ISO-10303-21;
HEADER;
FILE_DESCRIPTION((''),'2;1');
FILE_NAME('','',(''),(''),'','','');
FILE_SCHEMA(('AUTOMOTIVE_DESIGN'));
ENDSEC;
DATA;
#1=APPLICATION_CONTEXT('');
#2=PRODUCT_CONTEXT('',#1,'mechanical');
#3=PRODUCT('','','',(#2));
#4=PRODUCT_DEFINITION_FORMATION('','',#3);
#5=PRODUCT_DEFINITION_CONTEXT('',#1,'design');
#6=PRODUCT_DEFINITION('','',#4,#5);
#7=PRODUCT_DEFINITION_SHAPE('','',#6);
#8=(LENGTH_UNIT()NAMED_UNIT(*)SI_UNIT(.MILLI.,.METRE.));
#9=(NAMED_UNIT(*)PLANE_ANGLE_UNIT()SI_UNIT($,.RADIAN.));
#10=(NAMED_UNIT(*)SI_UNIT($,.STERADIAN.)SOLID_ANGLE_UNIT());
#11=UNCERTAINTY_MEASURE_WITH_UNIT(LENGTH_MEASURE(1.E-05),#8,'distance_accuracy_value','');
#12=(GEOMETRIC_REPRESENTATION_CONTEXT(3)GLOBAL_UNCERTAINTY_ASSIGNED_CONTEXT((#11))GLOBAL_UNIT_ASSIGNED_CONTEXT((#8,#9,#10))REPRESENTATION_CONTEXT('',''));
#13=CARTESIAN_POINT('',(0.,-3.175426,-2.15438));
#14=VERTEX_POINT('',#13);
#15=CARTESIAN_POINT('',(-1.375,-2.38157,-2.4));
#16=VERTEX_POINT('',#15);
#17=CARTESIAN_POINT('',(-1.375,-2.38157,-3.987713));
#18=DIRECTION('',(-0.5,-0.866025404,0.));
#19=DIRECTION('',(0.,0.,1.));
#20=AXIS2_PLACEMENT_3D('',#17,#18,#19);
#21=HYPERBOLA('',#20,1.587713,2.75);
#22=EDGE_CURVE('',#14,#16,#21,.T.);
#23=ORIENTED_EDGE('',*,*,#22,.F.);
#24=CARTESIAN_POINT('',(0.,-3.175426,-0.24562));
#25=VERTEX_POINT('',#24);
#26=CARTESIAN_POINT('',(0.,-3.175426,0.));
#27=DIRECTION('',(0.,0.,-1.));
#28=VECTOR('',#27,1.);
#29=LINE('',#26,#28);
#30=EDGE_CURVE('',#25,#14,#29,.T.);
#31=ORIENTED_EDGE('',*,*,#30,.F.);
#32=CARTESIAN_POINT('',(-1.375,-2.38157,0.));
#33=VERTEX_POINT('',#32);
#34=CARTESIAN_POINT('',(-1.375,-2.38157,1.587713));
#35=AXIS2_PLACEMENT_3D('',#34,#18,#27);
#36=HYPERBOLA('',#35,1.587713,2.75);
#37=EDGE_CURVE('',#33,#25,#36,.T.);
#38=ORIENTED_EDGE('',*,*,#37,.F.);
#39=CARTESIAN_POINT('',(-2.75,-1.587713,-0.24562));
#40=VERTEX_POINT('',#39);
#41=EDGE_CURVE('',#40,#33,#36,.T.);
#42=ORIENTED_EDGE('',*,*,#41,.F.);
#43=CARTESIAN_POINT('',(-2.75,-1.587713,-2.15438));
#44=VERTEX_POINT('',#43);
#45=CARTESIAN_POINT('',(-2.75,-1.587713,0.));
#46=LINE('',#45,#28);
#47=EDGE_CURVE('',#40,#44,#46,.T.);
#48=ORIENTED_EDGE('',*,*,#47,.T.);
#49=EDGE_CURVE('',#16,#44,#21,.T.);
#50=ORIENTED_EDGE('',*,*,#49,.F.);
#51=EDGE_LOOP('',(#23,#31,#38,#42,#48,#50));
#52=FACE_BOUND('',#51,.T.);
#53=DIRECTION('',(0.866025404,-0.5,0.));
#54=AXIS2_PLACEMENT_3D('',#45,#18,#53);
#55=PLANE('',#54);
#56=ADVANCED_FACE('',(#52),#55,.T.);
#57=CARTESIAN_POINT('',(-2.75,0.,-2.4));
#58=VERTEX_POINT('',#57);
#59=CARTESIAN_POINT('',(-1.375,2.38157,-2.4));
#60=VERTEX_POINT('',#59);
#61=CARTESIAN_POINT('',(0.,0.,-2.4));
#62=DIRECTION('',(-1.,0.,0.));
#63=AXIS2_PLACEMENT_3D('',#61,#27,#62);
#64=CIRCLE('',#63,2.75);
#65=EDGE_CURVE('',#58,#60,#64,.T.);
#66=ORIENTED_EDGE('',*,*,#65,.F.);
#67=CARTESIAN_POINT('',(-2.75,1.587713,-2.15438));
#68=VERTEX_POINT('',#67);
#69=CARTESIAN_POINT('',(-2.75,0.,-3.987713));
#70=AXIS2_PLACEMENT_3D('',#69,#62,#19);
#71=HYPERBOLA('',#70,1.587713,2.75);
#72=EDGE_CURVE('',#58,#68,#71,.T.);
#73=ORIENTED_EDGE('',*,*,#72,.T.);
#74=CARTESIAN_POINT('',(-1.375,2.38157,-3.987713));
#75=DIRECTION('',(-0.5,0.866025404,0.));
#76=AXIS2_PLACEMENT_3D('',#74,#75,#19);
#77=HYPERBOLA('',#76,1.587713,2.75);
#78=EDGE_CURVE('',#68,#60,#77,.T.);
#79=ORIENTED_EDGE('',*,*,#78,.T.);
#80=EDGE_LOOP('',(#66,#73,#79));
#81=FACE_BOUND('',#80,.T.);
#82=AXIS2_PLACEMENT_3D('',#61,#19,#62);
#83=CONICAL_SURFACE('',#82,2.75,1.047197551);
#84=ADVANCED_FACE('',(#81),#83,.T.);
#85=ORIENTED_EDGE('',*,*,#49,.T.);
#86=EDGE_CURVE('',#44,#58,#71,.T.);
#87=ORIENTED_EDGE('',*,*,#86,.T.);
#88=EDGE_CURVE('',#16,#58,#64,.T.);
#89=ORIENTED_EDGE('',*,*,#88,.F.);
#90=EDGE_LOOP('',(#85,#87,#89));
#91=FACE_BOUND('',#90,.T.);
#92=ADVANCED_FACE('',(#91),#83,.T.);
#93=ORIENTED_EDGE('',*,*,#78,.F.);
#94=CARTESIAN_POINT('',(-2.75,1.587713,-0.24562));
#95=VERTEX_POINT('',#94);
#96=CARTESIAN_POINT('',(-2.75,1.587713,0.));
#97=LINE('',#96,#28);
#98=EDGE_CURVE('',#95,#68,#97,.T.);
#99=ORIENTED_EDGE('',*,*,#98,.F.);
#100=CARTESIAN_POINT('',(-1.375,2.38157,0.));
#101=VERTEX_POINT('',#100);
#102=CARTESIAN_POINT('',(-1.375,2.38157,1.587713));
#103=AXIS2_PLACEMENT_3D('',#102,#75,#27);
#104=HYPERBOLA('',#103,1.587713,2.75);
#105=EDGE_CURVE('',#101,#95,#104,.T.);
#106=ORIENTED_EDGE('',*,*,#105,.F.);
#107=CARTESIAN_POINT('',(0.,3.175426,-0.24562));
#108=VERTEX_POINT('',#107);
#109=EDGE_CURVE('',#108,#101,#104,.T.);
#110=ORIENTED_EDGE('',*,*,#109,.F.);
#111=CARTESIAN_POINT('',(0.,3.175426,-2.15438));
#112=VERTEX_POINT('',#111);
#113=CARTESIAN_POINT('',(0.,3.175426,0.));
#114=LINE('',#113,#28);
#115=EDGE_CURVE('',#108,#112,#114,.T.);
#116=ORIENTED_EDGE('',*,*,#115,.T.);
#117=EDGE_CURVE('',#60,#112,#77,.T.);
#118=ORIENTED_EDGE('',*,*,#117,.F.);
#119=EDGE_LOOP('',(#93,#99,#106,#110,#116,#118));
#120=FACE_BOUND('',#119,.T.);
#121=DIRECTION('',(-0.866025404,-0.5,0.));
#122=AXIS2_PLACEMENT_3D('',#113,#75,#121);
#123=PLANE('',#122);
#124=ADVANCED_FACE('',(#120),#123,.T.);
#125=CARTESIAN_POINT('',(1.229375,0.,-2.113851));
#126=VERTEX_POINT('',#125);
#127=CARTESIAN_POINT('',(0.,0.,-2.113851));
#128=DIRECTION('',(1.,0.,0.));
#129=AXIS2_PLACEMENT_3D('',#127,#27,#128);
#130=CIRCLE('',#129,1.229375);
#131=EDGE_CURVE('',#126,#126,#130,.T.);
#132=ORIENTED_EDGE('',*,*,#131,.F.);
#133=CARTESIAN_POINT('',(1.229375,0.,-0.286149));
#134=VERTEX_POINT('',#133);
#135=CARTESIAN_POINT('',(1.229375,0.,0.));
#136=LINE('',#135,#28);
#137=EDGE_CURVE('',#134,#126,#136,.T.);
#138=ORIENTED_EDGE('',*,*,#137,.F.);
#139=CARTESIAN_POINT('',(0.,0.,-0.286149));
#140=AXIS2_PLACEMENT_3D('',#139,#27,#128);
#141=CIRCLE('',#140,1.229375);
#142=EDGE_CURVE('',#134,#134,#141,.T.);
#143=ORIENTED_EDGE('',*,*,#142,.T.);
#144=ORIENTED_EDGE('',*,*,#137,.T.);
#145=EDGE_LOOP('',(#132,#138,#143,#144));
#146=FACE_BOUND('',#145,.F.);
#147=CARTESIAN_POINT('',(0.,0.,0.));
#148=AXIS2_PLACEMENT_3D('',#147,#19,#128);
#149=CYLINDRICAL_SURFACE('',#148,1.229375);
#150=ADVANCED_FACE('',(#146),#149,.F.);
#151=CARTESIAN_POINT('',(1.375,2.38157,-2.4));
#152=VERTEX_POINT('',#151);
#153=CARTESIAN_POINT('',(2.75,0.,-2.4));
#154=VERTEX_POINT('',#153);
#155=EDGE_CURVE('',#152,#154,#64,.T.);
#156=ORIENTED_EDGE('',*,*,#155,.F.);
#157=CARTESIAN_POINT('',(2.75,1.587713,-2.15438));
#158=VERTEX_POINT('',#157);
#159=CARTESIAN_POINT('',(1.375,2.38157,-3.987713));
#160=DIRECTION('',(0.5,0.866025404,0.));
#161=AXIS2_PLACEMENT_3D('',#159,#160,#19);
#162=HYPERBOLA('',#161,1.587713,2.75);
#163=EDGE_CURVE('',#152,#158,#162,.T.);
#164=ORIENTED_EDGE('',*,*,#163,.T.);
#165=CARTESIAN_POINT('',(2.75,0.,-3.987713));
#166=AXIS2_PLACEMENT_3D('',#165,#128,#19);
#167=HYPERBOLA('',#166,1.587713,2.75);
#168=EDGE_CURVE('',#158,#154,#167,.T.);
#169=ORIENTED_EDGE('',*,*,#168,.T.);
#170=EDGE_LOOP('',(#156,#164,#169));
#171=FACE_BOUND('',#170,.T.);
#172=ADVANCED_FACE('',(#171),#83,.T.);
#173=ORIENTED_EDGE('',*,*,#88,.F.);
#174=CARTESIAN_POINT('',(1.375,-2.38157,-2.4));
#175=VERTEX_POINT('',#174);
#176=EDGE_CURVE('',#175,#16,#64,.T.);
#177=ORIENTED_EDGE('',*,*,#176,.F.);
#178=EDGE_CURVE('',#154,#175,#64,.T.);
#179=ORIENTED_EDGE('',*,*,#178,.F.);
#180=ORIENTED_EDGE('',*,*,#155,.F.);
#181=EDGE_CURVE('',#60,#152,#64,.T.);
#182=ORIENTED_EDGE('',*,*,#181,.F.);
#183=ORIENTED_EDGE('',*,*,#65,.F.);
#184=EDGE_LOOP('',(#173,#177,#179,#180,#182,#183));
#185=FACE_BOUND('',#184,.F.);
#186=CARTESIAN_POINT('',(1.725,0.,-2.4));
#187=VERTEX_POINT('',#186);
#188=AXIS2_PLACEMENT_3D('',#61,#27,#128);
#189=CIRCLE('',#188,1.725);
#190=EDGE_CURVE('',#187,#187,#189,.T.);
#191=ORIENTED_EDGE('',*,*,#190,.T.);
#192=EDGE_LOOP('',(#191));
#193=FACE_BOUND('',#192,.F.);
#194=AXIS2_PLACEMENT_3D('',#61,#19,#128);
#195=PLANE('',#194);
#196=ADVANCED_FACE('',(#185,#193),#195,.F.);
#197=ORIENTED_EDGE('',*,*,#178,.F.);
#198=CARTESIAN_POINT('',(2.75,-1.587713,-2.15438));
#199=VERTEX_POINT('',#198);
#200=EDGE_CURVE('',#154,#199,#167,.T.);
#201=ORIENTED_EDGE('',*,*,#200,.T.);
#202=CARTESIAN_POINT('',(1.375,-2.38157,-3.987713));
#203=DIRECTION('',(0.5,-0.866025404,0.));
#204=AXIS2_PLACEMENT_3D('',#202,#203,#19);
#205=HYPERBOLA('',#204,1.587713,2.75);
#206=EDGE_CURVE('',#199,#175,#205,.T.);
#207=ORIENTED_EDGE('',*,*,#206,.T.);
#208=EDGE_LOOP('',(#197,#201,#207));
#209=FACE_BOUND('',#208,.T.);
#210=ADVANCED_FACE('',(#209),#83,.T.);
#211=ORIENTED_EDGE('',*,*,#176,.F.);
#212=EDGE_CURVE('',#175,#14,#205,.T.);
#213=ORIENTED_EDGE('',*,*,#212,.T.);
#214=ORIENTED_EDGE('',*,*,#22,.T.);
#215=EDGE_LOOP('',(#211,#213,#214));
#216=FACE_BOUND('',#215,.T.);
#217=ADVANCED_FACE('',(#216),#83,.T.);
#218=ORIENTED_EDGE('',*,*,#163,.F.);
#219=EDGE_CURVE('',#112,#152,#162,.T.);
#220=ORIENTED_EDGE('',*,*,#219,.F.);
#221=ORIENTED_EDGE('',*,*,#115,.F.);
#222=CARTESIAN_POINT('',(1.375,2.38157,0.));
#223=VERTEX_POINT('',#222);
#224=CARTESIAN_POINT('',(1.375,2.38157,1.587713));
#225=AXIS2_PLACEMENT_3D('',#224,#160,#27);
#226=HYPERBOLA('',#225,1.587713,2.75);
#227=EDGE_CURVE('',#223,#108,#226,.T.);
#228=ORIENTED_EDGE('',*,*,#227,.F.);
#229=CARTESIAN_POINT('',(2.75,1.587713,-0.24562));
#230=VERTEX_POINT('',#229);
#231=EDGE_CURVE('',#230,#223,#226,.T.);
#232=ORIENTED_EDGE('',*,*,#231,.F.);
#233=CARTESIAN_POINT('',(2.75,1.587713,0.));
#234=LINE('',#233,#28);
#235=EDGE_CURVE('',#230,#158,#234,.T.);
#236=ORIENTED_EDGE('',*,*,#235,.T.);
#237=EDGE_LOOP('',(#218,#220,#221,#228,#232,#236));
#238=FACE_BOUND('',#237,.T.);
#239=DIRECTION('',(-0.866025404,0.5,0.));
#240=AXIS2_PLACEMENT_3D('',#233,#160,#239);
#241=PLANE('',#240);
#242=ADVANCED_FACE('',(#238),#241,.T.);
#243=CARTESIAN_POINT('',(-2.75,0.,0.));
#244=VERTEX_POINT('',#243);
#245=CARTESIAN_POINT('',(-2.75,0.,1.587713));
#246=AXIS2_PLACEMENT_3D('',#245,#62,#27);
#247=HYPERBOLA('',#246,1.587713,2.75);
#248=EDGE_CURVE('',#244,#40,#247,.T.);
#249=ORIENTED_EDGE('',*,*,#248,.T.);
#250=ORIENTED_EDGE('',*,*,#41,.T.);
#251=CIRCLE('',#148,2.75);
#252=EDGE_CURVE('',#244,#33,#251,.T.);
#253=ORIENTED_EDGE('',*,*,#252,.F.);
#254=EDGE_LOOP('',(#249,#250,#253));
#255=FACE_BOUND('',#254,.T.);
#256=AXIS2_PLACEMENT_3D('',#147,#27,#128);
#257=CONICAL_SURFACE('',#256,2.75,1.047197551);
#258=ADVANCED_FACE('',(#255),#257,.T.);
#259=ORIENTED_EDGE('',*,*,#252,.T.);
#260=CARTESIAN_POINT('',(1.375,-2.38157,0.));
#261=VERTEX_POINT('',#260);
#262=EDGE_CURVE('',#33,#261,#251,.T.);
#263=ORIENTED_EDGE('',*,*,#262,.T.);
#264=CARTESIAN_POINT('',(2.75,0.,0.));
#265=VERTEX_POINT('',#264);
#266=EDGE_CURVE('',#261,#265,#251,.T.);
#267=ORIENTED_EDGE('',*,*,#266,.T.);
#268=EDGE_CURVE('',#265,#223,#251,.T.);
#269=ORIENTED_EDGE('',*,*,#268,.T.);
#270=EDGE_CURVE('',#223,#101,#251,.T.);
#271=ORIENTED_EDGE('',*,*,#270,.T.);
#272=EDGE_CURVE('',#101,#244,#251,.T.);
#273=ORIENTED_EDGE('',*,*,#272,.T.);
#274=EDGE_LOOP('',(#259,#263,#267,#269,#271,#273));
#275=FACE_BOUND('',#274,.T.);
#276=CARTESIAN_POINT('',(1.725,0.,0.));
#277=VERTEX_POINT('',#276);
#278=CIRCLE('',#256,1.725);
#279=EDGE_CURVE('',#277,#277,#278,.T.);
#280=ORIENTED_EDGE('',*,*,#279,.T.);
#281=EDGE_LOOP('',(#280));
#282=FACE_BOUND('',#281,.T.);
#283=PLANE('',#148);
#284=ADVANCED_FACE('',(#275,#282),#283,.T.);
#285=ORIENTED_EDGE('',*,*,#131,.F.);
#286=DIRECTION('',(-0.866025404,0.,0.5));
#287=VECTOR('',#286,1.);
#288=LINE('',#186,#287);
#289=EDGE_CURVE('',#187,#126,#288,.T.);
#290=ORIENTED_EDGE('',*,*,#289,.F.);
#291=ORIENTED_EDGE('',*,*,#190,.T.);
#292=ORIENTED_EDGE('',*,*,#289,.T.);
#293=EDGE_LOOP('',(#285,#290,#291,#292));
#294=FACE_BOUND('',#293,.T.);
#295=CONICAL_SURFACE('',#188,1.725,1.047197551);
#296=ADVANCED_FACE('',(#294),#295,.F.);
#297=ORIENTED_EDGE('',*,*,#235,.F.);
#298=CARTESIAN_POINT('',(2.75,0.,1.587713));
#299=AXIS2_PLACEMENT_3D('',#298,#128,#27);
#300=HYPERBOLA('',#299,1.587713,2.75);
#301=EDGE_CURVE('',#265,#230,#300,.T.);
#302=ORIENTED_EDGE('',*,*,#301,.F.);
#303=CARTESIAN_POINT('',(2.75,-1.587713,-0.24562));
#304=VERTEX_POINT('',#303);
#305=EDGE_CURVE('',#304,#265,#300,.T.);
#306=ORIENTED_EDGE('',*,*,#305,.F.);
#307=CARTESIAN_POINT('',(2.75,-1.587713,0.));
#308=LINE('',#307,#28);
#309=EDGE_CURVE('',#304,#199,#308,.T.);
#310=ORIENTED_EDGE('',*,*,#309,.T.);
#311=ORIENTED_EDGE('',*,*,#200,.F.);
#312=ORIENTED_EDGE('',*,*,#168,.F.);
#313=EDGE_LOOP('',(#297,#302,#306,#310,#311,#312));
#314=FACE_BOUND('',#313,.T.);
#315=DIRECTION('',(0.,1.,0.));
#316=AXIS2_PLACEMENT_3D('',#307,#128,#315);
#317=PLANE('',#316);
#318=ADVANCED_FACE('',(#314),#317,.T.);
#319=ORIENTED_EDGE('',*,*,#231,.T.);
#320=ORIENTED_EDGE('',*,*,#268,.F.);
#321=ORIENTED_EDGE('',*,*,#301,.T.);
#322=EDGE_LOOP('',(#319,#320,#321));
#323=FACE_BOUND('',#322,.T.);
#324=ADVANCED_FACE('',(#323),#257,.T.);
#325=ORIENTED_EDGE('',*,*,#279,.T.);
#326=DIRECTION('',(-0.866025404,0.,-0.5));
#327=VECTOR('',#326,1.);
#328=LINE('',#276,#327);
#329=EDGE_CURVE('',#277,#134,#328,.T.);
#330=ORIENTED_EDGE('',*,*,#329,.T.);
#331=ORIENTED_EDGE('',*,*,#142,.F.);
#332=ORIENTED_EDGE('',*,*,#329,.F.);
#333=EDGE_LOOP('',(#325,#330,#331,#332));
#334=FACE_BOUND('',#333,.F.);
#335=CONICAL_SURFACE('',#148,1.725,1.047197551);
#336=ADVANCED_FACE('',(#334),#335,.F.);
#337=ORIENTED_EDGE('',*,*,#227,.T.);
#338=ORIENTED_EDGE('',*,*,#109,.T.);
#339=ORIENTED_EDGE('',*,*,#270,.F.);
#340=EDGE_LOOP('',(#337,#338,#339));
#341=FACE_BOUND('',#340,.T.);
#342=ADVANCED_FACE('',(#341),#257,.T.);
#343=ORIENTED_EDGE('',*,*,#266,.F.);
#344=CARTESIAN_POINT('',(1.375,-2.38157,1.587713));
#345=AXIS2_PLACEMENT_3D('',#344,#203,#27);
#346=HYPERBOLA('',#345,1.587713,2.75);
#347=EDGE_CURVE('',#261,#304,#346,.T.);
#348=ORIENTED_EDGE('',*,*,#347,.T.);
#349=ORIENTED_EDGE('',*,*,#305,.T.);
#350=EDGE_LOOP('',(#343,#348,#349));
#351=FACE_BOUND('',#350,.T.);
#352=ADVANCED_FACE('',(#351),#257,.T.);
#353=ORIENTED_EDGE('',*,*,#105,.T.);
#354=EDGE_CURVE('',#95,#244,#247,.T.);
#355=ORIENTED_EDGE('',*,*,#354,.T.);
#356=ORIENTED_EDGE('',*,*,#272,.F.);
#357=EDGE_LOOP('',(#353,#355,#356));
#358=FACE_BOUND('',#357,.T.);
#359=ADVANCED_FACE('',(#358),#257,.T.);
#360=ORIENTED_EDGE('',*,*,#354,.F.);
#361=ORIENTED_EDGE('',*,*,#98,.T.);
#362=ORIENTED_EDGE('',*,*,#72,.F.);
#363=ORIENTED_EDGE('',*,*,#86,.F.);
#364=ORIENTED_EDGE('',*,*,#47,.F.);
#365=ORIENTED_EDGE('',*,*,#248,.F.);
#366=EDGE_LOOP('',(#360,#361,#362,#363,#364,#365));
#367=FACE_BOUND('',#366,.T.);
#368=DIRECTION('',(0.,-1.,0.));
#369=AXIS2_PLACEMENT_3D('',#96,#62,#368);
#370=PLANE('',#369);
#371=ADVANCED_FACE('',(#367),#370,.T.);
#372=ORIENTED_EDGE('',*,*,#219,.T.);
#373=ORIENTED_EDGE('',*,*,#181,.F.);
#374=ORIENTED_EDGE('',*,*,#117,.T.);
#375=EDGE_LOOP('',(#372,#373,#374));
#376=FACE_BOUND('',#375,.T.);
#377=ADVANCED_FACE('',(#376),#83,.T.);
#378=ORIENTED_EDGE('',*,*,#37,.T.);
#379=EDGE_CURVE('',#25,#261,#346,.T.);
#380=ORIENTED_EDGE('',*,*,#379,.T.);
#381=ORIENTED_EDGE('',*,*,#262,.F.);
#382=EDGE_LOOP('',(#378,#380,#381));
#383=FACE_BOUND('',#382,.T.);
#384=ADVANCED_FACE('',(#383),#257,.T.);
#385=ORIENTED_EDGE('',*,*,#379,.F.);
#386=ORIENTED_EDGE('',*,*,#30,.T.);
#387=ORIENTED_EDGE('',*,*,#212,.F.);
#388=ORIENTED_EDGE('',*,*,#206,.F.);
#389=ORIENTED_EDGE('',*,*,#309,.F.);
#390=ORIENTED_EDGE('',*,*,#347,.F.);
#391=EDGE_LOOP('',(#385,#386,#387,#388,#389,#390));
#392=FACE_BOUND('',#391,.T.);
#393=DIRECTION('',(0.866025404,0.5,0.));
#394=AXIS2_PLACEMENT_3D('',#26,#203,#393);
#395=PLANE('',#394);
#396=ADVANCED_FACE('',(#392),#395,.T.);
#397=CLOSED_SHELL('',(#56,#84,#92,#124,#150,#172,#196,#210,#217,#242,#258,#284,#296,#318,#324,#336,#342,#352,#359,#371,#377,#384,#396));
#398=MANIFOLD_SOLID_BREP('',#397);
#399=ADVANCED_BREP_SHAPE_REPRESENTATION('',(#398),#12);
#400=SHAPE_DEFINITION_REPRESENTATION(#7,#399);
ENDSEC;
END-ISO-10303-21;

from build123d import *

# Parameters (mm, degrees)
SKETCH_3_R          = 1.229375
EXTRUDE_1_DEPTH     = 2.4
SKETCH_5_R          = 4.5075
SKETCH_5_R_2        = 2.75
CUT_EXTRUDE_1_DEPTH = 0.48
CUT_EXTRUDE_1_DRAFT = -60
SKETCH_7_R          = 4.5075
SKETCH_7_R_2        = 2.75
CUT_EXTRUDE_2_DEPTH = 0.48
CUT_EXTRUDE_2_DRAFT = -60


with BuildPart() as part:
    # 草图3 → 凸台-拉伸1 (new body)
    with BuildSketch(Plane.XY):
        Polygon((0, 3.175426481), (-2.75, 1.58771324), (-2.75, -1.58771324), (0, -3.175426481), (2.75, -1.58771324), (2.75, 1.58771324), align=None)
        Circle(SKETCH_3_R, mode=Mode.SUBTRACT)
    extrude(amount=-EXTRUDE_1_DEPTH)

    # 草图4 → 切除-旋转1 (revolve, cut)
    with BuildSketch(Plane(origin=(0, 0, 0), x_dir=(0, 0, -1), z_dir=(1, 0, 0)), mode=Mode.PRIVATE) as cut_revolve_1_sk:
        Polygon((0, 1.725), (0.286149227, 1.229375), (0.286149227, 0), (0, 0), align=None)
        Polygon((2.4, 0), (2.4, 1.725), (2.113850773, 1.229375), (2.113850773, 0), align=None)
    revolve(cut_revolve_1_sk.sketch.rotate(Axis((0, 0, 0), (0, 0, -1)), 90), axis=Axis((0, 0, 0), (0, 0, -1)), mode=Mode.SUBTRACT)


with BuildPart() as cut_extrude_1_tool:
    # 草图5 → 切除-拉伸1 (with draft: the straight prism first)
    with BuildSketch(Plane.XY):
        Circle(SKETCH_5_R)
        Circle(SKETCH_5_R_2, mode=Mode.SUBTRACT)
    extrude(amount=-CUT_EXTRUDE_1_DEPTH)
    # 切除-拉伸1: the draft: its side faces are tilted about the plane it starts from
    cut_extrude_1_sides = [cut_extrude_1_tool.faces().sort_by_distance(p)[0] for p in [
        (-4.5075, 0, -0.24),
        (-2.75, 0, -0.24),
    ]]
    draft(cut_extrude_1_sides, Plane.XY, CUT_EXTRUDE_1_DRAFT)


with BuildPart() as part_1:
    add(part.part)

    # 切除-拉伸1: cut by cut_extrude_1_tool
    add(cut_extrude_1_tool.part, mode=Mode.SUBTRACT)


with BuildPart() as cut_extrude_2_tool:
    # 草图7 → 切除-拉伸2 (with draft: the straight prism first)
    with BuildSketch(Plane(origin=(0, 0, -2.4), x_dir=(-1, 0, 0), z_dir=(0, 0, -1))):
        Circle(SKETCH_7_R)
        Circle(SKETCH_7_R_2, mode=Mode.SUBTRACT)
    extrude(amount=-CUT_EXTRUDE_2_DEPTH)
    # 切除-拉伸2: the draft: its side faces are tilted about the plane it starts from
    cut_extrude_2_sides = [cut_extrude_2_tool.faces().sort_by_distance(p)[0] for p in [
        (4.5075, 0, -2.16),
        (2.75, 0, -2.16),
    ]]
    draft(cut_extrude_2_sides, Plane(origin=(0, 0, -2.4), x_dir=(-1, 0, 0), z_dir=(0, 0, -1)), CUT_EXTRUDE_2_DRAFT)


with BuildPart() as part_2:
    add(part_1.part)

    # 切除-拉伸2: cut by cut_extrude_2_tool
    add(cut_extrude_2_tool.part, mode=Mode.SUBTRACT)


solid = part_2.part
